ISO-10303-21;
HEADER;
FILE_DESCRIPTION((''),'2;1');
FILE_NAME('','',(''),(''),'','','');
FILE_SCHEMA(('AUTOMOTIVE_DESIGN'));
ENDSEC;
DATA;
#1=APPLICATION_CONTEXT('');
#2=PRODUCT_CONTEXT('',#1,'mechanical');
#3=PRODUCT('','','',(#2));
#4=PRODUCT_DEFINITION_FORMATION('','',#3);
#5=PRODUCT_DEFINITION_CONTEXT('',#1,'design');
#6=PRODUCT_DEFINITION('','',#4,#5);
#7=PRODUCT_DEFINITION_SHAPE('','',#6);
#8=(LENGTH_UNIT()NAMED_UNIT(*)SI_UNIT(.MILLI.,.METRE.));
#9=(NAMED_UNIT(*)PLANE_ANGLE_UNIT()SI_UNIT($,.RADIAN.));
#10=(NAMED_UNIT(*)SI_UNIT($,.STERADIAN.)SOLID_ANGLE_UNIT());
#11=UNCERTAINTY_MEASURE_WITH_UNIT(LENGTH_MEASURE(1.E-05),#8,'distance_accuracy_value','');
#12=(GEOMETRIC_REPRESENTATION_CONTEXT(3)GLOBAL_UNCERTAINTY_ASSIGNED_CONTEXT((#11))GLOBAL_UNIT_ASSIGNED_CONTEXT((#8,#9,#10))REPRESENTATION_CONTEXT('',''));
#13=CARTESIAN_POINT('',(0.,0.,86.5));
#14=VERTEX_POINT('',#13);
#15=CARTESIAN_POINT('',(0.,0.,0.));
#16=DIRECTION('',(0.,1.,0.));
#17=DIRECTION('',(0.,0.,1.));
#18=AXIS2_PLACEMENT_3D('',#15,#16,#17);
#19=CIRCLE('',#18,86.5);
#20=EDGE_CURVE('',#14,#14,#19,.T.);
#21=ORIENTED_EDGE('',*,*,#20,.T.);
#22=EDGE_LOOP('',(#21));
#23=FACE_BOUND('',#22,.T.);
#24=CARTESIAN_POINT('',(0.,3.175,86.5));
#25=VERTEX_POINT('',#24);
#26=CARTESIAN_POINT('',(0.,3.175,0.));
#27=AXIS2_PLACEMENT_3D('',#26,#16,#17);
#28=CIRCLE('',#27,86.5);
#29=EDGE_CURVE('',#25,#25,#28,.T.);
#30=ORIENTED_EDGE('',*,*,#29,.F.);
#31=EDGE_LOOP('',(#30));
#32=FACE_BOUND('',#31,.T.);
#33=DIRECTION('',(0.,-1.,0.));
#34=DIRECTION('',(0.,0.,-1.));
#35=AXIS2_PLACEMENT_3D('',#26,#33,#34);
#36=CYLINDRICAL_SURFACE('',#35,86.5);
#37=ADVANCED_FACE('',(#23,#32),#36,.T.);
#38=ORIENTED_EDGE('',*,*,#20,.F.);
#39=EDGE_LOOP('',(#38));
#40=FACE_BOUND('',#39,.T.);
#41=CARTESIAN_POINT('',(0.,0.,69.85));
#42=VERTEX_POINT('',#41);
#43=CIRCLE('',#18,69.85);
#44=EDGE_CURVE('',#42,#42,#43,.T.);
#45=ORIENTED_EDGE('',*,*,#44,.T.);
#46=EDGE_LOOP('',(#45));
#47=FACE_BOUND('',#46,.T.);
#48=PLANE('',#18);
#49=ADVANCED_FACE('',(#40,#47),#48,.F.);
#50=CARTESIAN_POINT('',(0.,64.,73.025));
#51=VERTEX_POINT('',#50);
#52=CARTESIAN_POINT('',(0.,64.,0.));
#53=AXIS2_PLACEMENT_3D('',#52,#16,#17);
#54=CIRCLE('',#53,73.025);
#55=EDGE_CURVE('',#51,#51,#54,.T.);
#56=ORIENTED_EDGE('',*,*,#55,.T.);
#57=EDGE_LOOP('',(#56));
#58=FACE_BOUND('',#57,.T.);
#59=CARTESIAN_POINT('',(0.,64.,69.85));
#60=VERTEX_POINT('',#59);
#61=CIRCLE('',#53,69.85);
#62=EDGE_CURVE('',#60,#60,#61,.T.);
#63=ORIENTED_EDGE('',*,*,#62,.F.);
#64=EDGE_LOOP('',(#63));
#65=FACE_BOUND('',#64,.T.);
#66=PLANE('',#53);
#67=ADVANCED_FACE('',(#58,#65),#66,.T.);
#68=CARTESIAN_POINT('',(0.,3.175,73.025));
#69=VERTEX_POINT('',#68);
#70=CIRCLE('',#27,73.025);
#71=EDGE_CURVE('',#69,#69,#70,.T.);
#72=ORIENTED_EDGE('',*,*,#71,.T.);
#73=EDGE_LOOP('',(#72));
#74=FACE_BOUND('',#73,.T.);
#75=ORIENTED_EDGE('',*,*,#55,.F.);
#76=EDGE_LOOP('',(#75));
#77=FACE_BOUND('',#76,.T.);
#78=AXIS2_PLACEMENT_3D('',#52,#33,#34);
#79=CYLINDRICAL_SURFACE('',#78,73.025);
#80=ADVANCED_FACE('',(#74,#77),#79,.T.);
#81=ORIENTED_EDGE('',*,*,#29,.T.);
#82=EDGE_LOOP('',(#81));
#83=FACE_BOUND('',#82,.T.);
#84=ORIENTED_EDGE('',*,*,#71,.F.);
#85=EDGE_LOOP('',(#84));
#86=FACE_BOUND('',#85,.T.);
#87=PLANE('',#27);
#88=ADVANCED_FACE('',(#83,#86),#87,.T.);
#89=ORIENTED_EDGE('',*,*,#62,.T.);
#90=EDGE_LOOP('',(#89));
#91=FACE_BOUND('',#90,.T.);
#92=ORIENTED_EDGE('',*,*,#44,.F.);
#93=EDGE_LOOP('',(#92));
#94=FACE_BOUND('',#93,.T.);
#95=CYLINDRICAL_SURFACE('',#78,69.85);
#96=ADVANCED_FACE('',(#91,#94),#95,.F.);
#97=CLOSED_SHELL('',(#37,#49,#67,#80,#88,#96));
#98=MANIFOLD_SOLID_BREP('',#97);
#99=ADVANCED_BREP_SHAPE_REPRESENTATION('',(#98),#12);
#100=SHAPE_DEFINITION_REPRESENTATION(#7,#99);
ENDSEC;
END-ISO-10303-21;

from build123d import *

# Parameters (mm, degrees)
SKETCH1_R           = 73.025
SKETCH1_R_2         = 69.85
BOSS_EXTRUDE1_DEPTH = 64
SKETCH1_3_R         = 86.5
SKETCH1_3_R_2       = 73.025
BOSS_EXTRUDE2_DEPTH = 3.175


with BuildPart() as part:
    # Sketch1 → Boss-Extrude1 (new body)
    with BuildSketch(Plane(origin=(0, 0, 0), x_dir=(1, 0, 0), z_dir=(0, 1, 0))):
        Circle(SKETCH1_R)
        Circle(SKETCH1_R_2, mode=Mode.SUBTRACT)
    extrude(amount=BOSS_EXTRUDE1_DEPTH)

    # Sketch1<3> → Boss-Extrude2 (add)
    with BuildSketch(Plane(origin=(0, 0, 0), x_dir=(1, 0, 0), z_dir=(0, 1, 0))):
        Circle(SKETCH1_3_R)
        Circle(SKETCH1_3_R_2, mode=Mode.SUBTRACT)
    extrude(amount=BOSS_EXTRUDE2_DEPTH)


solid = part.part
